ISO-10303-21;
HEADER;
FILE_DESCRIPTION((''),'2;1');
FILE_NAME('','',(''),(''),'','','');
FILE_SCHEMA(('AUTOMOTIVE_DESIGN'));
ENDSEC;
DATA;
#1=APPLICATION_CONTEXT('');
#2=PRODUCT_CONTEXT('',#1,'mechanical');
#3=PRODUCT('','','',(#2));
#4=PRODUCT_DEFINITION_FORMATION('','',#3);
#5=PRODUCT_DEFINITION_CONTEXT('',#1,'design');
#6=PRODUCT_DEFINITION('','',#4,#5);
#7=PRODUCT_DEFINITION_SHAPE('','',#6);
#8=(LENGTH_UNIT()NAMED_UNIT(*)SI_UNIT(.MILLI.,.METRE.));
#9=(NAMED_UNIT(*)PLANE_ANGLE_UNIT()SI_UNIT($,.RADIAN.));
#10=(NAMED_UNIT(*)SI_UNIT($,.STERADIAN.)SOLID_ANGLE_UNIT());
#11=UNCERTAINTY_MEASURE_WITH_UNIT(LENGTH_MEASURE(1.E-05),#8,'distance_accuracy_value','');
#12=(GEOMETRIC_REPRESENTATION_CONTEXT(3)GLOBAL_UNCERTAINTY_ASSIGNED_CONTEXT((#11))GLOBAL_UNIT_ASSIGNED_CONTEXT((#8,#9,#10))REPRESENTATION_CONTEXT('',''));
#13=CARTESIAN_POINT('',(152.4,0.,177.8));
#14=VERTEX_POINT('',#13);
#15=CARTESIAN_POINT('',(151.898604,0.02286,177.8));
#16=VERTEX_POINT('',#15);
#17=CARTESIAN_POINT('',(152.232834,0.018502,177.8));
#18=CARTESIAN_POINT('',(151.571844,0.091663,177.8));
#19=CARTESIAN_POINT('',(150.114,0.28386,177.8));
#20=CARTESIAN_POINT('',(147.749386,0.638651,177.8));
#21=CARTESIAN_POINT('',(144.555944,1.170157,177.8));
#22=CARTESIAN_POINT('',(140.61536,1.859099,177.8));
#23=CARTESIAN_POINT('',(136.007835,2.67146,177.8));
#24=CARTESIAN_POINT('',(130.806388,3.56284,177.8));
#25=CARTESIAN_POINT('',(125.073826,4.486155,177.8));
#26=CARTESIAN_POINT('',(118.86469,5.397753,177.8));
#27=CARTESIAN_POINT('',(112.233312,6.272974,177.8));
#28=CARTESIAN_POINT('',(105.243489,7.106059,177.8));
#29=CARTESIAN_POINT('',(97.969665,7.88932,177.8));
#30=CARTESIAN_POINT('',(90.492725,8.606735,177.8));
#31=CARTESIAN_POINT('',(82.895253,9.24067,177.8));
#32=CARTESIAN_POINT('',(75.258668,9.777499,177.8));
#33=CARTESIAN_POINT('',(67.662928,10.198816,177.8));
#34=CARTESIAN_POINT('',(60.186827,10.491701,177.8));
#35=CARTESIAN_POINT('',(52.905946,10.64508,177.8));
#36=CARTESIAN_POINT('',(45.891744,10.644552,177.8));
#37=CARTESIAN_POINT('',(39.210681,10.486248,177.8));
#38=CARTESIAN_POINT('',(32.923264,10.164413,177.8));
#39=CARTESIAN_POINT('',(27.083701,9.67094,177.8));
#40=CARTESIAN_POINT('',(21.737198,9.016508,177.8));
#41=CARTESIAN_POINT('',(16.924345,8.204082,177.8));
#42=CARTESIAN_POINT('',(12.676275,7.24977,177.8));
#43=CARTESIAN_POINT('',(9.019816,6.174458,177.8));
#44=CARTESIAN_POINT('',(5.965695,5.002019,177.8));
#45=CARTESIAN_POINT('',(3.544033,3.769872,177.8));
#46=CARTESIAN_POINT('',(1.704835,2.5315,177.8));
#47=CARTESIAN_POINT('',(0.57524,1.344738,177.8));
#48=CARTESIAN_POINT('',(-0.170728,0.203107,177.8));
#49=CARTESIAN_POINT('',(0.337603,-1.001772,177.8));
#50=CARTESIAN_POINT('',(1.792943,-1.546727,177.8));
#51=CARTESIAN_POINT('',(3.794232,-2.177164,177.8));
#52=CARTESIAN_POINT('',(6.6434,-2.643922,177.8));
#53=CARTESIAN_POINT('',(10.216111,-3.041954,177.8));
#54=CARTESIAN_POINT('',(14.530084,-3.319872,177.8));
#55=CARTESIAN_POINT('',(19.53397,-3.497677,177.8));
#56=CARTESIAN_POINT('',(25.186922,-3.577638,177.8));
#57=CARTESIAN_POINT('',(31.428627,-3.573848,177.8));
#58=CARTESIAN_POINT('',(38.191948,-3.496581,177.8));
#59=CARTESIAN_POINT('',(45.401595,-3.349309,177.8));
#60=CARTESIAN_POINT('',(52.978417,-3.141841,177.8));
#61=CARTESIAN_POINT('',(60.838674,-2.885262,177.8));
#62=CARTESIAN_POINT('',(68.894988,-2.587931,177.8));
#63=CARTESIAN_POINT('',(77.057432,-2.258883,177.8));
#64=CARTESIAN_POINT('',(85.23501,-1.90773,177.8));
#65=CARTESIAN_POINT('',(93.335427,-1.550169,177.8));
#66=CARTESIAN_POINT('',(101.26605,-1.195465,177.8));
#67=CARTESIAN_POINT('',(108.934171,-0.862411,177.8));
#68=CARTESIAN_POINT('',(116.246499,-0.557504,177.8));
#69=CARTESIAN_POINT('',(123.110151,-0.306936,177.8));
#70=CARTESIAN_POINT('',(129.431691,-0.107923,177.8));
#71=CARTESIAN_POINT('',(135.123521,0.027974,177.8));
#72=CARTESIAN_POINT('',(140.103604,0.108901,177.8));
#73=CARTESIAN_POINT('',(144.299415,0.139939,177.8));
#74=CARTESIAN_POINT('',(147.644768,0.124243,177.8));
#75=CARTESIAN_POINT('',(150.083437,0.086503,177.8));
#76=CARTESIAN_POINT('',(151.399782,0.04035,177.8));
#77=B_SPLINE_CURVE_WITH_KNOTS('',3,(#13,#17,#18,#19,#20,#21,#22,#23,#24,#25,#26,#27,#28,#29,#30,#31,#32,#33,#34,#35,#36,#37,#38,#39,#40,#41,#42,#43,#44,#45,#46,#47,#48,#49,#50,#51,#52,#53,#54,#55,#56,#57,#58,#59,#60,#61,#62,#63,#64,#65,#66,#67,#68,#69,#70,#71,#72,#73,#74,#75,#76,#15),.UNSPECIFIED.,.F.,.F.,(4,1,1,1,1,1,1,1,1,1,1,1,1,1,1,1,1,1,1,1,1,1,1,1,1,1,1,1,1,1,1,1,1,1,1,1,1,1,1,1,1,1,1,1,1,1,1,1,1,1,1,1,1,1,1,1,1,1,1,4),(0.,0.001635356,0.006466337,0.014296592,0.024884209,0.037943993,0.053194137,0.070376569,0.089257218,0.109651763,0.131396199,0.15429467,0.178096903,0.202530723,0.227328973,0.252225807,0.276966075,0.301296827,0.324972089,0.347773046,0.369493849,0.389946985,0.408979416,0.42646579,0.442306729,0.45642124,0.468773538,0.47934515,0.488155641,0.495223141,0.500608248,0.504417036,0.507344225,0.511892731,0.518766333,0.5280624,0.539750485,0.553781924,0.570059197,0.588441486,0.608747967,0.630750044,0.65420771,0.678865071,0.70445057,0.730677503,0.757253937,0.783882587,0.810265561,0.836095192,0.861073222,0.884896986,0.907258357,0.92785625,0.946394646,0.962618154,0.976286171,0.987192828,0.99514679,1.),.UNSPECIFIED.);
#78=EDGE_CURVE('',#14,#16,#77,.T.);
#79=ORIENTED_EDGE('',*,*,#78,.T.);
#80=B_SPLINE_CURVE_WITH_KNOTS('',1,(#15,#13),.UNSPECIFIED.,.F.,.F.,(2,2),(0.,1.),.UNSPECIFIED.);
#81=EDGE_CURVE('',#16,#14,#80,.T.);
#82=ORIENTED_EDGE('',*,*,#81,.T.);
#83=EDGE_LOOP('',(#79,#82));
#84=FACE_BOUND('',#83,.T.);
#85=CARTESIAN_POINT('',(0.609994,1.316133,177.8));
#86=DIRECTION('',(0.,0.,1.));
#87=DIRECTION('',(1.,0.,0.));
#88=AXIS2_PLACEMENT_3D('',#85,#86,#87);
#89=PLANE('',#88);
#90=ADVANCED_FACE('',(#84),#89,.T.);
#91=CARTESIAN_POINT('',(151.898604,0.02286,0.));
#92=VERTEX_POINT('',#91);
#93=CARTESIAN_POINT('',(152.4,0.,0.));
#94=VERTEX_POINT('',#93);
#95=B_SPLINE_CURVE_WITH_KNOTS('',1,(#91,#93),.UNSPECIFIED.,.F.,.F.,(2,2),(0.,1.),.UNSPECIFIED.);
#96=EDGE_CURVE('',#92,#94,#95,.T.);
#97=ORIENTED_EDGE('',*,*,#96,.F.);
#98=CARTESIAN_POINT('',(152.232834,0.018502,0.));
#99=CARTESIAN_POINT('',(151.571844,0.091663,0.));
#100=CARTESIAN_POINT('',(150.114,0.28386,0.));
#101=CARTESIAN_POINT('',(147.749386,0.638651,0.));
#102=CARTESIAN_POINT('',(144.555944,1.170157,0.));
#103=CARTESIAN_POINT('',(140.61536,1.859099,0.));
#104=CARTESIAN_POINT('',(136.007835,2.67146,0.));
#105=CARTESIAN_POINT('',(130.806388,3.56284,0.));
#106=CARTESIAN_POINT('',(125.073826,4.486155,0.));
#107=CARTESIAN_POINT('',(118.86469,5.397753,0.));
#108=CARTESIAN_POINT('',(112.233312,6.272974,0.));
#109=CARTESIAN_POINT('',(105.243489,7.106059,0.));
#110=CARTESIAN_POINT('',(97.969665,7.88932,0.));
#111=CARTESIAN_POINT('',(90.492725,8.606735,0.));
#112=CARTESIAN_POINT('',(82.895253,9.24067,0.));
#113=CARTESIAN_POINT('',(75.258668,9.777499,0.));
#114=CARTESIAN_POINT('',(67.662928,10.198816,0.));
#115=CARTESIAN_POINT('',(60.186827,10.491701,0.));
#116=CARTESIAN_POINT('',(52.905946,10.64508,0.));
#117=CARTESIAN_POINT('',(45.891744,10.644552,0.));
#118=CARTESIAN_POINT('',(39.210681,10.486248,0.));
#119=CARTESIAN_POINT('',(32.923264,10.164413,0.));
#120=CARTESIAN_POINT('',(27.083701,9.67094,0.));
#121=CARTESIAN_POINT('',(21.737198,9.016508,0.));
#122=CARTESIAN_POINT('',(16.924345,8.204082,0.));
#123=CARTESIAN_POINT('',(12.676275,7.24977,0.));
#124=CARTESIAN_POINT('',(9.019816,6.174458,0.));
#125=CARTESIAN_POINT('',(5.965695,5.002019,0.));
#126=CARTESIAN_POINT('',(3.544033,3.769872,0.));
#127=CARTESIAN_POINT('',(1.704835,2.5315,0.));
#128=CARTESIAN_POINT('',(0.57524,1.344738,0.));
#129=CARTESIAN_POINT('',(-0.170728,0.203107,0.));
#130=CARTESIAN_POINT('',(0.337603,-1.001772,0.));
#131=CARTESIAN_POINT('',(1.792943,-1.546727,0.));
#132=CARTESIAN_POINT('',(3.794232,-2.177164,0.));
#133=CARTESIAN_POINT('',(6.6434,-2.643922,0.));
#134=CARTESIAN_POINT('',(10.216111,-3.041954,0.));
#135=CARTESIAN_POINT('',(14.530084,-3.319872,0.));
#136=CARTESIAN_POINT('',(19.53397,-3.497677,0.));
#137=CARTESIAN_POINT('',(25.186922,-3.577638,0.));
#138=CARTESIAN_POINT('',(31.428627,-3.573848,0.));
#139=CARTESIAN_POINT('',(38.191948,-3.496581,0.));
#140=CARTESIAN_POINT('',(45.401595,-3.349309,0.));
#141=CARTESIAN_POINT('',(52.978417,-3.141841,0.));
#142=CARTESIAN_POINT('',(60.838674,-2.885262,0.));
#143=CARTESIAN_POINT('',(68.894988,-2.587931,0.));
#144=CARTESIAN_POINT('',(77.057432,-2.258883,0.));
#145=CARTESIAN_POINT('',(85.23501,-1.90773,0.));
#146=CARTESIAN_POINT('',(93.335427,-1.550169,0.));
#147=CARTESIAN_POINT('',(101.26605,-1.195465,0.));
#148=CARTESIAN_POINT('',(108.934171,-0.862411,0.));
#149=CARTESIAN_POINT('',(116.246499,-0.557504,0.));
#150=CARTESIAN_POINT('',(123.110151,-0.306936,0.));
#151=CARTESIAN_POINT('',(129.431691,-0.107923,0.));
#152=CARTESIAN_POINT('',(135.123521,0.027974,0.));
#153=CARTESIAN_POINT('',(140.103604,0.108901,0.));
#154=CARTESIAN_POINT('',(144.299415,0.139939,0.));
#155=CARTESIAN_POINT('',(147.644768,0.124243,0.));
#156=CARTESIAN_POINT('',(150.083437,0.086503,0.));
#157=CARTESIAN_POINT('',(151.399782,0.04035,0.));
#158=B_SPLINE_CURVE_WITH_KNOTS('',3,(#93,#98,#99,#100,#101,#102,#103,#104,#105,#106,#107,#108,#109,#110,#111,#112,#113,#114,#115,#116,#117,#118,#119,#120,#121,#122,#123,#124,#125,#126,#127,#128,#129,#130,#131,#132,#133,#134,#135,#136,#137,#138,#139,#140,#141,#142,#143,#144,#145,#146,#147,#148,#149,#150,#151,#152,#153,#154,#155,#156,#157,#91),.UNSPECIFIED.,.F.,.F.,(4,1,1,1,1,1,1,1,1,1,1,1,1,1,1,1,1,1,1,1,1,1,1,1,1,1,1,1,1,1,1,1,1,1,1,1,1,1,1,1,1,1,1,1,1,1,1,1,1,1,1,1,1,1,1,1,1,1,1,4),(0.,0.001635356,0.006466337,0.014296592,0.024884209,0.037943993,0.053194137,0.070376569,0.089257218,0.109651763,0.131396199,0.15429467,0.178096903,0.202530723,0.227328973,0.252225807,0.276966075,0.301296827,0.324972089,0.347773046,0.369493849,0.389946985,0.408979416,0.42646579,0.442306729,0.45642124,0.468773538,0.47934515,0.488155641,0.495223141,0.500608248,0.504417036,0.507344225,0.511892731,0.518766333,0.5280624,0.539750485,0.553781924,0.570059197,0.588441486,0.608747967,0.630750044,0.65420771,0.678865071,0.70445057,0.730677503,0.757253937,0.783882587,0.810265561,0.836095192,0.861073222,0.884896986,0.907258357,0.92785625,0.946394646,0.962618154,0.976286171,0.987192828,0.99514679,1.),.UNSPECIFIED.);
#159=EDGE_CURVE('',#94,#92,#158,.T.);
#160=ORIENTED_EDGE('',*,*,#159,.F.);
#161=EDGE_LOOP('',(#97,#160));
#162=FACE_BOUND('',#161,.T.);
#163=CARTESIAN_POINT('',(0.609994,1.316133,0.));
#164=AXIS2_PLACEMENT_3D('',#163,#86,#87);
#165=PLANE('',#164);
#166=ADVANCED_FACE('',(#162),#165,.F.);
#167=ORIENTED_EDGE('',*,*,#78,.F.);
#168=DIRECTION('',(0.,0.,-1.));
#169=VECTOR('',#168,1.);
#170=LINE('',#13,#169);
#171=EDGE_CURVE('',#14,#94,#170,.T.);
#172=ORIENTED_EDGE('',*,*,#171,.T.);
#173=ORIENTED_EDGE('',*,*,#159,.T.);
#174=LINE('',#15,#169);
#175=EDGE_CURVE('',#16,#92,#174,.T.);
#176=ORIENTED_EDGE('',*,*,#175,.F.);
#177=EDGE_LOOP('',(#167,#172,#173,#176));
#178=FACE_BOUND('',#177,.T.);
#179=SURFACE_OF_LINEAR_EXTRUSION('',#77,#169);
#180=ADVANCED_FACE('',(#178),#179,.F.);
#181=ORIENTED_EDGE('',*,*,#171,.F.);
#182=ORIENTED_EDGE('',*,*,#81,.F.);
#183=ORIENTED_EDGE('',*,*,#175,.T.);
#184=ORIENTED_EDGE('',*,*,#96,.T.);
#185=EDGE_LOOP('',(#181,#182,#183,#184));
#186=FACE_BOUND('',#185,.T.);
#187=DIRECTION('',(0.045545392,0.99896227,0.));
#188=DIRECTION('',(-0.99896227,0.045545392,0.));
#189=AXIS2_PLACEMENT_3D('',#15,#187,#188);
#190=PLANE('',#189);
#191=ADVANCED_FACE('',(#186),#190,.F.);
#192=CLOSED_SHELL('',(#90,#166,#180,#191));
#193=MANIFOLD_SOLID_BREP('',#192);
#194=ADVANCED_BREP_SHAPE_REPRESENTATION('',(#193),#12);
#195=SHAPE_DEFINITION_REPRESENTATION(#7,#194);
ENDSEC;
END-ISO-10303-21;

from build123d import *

# Parameters (mm, degrees)
BOSS_EXTRUDE1_DEPTH = 177.8


with BuildPart() as part:
    # Sketch1 → Boss-Extrude1 (new body)
    with BuildSketch(Plane.XY):
        with BuildLine():
            add(Edge.make_bspline(
                [(152.4, 0), (152.232833718, 0.018502415), (151.571843934, 0.091662545), (150.113999557, 0.2838596), (147.749385864, 0.638650629), (144.555943786, 1.170157002), (140.615360499, 1.859099247), (136.007834995, 2.67146013), (130.806388019, 3.562840017), (125.073826155, 4.486154777), (118.864690135, 5.397753278), (112.233312125, 6.272974236), (105.243489487, 7.106058892), (97.969665406, 7.889319693), (90.492724993, 8.606734858), (82.895253241, 9.240670251), (75.258667902, 9.77749908), (67.662928423, 10.198815718), (60.186827499, 10.49170102), (52.905945954, 10.645080099), (45.891743713, 10.644551806), (39.210681048, 10.486247597), (32.923263797, 10.164412711), (27.083700854, 9.670939726), (21.73719754, 9.016508091), (16.924344759, 8.204081974), (12.676275305, 7.249770479), (9.019815693, 6.174457771), (5.965694819, 5.002018522), (3.544032537, 3.769871526), (1.704834708, 2.531499726), (0.575239506, 1.344737529), (-0.170728015, 0.20310696), (0.337603285, -1.001772228), (1.792943226, -1.546726795), (3.794232235, -2.17716446), (6.643400201, -2.643922316), (10.216110654, -3.041953632), (14.530084187, -3.319872228), (19.533969629, -3.497677255), (25.18692206, -3.577638345), (31.428627275, -3.573848082), (38.191948203, -3.496581442), (45.401595317, -3.349308986), (52.97841726, -3.141841288), (60.83867414, -2.885262261), (68.894988424, -2.587930905), (77.057432025, -2.258882887), (85.235009672, -1.907730283), (93.335426834, -1.550168819), (101.266049649, -1.195465221), (108.93417081, -0.862411006), (116.2464986, -0.557504045), (123.110150899, -0.306936183), (129.431690533, -0.107922528), (135.123521438, 0.027974451), (140.103603919, 0.108900525), (144.29941542, 0.13993859), (147.644768246, 0.124243061), (150.083437285, 0.086502888), (151.399782071, 0.04034956), (151.898604, 0.02286)],
                knots=[0, 0, 0, 0, 0.001635356, 0.006466337, 0.014296592, 0.024884209, 0.037943993, 0.053194137, 0.070376569, 0.089257218, 0.109651763, 0.131396199, 0.15429467, 0.178096903, 0.202530723, 0.227328973, 0.252225807, 0.276966075, 0.301296827, 0.324972089, 0.347773046, 0.369493849, 0.389946985, 0.408979416, 0.42646579, 0.442306729, 0.45642124, 0.468773538, 0.47934515, 0.488155641, 0.495223141, 0.500608248, 0.504417036, 0.507344225, 0.511892731, 0.518766333, 0.5280624, 0.539750485, 0.553781924, 0.570059197, 0.588441486, 0.608747967, 0.630750044, 0.65420771, 0.678865071, 0.70445057, 0.730677503, 0.757253937, 0.783882587, 0.810265561, 0.836095192, 0.861073222, 0.884896986, 0.907258357, 0.92785625, 0.946394646, 0.962618154, 0.976286171, 0.987192828, 0.99514679, 1, 1, 1, 1], degree=3))
            Line((151.898604, 0.02286), (152.4, 0))
        make_face()
    extrude(amount=BOSS_EXTRUDE1_DEPTH)


solid = part.part
